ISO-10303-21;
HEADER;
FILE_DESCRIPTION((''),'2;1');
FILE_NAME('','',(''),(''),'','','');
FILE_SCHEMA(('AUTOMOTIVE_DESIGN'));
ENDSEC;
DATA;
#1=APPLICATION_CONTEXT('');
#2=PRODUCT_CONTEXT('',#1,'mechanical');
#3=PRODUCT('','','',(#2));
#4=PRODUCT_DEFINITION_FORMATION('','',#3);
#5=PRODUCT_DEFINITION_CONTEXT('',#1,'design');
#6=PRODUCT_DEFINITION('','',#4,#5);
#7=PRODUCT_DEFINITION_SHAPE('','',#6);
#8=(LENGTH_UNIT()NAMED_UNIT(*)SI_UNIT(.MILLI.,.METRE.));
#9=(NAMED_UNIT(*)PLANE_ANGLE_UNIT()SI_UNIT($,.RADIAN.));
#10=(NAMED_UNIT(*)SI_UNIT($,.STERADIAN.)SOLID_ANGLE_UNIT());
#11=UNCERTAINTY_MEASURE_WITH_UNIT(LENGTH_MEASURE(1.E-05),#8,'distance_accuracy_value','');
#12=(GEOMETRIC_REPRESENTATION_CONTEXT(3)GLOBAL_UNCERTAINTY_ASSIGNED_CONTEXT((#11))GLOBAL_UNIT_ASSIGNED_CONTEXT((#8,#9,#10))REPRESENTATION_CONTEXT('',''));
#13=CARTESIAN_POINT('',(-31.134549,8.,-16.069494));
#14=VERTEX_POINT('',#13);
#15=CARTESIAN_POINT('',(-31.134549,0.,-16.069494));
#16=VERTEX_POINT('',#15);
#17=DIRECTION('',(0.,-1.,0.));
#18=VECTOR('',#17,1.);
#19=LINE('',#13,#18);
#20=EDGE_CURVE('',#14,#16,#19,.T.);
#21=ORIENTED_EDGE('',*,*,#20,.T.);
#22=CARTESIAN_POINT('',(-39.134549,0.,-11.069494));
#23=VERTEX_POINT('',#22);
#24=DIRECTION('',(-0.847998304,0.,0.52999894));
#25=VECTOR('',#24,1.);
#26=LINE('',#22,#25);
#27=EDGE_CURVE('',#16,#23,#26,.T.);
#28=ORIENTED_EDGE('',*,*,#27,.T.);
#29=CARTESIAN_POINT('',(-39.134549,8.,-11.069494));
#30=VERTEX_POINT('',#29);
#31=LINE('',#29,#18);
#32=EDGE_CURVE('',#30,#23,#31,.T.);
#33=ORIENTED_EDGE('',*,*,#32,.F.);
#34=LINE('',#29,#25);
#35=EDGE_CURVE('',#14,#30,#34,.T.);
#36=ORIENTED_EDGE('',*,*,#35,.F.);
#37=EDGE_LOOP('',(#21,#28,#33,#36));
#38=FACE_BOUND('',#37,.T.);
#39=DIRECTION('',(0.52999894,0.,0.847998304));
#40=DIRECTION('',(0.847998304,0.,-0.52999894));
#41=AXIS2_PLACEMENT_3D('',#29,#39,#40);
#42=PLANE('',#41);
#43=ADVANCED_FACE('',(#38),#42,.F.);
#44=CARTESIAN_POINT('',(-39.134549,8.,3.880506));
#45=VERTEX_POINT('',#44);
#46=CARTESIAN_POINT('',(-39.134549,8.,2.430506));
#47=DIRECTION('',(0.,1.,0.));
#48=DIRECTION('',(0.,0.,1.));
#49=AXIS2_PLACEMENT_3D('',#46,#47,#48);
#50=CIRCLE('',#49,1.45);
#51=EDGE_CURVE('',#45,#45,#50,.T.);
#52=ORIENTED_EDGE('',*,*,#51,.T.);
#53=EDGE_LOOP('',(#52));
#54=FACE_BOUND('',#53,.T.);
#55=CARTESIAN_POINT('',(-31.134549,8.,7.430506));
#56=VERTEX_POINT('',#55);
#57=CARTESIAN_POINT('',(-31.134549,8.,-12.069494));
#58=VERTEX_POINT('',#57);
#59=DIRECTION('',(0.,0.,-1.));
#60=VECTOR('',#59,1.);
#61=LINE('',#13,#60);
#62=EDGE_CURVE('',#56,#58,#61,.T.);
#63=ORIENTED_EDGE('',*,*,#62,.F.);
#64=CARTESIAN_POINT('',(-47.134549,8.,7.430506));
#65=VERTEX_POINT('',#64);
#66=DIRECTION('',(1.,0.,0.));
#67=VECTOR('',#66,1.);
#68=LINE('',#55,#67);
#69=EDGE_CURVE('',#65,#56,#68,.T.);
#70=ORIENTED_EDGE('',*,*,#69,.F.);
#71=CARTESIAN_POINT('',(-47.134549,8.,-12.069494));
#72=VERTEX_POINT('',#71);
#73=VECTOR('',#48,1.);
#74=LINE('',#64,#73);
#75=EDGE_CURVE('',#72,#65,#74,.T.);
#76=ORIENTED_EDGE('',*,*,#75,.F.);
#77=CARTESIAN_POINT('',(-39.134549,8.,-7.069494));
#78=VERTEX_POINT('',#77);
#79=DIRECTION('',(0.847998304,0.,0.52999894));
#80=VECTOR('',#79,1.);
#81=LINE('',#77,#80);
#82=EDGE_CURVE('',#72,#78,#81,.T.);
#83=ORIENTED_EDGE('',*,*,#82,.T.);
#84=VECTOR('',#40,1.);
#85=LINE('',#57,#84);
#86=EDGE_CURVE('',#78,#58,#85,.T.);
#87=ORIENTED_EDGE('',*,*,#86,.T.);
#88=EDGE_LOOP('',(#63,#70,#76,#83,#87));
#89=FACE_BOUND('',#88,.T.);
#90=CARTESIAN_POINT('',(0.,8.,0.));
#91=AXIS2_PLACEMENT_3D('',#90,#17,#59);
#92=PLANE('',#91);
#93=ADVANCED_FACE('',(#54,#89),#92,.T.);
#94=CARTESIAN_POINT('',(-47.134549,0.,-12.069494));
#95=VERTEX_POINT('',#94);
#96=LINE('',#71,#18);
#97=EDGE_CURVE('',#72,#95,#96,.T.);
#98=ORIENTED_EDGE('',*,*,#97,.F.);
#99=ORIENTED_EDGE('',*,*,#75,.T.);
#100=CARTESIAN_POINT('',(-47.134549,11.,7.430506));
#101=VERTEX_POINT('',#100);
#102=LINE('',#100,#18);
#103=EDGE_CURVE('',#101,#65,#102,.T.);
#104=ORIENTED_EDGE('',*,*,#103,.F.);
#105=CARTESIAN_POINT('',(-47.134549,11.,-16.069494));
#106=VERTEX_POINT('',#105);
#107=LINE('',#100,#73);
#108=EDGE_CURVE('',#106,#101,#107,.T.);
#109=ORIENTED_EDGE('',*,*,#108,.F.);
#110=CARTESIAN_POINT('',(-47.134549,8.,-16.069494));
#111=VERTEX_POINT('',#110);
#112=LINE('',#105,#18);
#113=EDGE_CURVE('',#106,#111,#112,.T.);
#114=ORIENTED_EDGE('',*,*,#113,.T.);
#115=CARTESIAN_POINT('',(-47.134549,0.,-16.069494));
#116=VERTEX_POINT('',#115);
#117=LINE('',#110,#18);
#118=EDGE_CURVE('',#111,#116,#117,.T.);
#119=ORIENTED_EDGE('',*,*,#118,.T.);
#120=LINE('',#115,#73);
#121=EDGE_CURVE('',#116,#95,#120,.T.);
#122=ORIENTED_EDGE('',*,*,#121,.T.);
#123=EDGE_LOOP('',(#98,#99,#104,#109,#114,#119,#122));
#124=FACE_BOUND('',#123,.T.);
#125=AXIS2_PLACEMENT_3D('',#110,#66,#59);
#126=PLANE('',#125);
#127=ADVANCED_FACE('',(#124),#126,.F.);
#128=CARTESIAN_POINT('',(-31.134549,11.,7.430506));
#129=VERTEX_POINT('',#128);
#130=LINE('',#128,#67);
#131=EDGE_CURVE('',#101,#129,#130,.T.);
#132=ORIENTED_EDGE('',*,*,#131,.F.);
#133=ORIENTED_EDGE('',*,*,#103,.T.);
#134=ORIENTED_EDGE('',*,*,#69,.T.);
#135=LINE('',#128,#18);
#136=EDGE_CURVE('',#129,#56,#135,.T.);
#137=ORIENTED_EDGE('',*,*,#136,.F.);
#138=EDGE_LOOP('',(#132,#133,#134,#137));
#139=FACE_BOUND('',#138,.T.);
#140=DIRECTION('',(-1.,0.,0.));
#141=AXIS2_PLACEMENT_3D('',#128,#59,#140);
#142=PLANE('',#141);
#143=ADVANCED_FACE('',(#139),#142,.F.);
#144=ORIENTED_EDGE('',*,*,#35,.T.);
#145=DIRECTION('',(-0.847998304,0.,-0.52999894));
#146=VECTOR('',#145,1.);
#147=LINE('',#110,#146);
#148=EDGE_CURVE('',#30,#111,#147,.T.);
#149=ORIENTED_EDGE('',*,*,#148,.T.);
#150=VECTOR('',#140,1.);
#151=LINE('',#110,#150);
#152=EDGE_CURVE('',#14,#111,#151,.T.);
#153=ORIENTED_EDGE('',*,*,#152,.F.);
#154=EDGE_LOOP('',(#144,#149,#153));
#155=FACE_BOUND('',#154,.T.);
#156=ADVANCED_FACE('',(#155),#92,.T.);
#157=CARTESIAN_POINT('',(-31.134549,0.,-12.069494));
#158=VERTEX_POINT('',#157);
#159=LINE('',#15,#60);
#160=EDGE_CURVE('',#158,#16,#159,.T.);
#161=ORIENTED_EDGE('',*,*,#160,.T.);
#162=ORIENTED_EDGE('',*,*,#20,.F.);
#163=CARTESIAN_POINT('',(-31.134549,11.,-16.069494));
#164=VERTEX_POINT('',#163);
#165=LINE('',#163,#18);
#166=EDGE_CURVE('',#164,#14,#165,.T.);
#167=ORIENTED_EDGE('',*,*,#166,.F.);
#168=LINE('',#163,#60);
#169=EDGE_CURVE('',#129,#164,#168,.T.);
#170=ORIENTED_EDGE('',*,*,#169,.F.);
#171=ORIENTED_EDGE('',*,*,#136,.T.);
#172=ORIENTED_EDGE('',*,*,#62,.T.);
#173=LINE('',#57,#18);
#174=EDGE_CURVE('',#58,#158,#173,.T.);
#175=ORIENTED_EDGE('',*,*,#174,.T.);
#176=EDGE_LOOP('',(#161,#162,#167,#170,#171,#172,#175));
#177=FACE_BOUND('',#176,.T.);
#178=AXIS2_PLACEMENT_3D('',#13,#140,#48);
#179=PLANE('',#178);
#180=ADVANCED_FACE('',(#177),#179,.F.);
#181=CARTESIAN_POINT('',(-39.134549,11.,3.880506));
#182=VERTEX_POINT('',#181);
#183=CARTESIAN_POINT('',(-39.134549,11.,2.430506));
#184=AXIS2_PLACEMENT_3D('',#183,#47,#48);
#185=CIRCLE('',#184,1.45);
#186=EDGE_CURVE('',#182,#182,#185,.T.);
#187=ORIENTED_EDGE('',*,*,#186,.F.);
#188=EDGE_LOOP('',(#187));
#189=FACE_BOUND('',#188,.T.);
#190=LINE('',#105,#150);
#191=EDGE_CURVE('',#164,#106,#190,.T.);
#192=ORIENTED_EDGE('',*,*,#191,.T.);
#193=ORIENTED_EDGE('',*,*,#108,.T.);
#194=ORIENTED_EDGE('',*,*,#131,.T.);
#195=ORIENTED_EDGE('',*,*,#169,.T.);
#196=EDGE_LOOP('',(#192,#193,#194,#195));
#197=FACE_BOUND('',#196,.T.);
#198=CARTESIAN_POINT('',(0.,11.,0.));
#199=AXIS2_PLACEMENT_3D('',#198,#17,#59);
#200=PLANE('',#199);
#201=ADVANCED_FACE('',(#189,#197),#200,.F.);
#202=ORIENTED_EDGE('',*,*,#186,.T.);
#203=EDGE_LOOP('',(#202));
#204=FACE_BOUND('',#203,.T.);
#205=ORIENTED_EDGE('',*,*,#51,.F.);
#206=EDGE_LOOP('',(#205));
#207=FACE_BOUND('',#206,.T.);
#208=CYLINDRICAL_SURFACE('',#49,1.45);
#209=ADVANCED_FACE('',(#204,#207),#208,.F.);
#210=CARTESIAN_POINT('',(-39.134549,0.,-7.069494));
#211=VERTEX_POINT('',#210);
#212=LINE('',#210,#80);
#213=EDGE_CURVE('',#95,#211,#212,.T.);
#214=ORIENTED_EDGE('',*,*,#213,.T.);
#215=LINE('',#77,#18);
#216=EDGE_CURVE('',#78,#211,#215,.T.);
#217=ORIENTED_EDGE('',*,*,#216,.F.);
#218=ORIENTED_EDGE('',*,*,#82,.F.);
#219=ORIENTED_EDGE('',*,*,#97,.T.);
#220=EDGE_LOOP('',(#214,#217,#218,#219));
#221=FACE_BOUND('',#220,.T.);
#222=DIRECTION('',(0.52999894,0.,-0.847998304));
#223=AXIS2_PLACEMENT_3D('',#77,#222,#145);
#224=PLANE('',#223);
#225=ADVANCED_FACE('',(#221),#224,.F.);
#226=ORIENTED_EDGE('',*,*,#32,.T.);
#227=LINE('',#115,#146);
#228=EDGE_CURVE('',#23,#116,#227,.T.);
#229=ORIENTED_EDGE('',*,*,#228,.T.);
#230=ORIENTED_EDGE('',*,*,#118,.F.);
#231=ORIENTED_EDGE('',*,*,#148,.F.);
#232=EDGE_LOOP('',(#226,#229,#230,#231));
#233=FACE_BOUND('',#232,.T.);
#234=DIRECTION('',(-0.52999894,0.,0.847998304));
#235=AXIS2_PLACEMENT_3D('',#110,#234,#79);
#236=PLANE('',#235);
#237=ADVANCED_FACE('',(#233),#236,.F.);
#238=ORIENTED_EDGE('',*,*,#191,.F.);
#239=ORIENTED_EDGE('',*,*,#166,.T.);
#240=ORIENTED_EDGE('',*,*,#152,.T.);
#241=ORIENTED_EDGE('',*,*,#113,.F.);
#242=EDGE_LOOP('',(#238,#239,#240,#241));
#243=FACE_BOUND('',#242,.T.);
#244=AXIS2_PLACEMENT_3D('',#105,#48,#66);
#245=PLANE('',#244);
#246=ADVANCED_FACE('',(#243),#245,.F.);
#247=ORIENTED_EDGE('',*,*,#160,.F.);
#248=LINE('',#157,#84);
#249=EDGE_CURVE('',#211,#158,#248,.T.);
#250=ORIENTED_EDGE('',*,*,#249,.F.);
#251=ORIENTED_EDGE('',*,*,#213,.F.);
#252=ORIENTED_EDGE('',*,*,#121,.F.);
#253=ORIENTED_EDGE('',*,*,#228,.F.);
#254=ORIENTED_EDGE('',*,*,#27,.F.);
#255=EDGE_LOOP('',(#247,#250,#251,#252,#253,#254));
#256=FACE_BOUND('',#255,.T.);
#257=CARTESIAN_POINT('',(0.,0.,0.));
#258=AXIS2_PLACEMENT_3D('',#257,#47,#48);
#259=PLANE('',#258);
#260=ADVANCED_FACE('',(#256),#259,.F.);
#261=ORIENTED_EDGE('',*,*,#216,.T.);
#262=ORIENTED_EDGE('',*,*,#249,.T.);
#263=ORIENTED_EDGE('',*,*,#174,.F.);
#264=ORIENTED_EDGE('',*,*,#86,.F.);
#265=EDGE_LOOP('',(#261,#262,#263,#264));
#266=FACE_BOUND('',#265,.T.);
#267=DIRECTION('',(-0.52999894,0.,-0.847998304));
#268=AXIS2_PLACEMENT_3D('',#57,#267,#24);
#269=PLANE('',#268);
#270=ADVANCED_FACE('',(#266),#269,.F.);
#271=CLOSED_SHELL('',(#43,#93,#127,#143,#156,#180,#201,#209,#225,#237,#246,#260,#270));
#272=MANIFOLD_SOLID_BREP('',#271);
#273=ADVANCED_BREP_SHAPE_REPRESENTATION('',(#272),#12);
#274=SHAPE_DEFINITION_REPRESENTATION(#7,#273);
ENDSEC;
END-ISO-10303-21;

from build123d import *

# Parameters (mm, degrees)
BOSS_EXTRUDE1_DEPTH = 8
SKETCH2_W           = 16
SKETCH2_H           = 23.5
BOSS_EXTRUDE2_DEPTH = 3
SKETCH3_R           = 1.45
CUT_EXTRUDE1_DEPTH  = 3


with BuildPart() as part:
    # Sketch1 → Boss-Extrude1 (new body)
    with BuildSketch(Plane(origin=(0, 0, 0), x_dir=(1, 0, 0), z_dir=(0, 1, 0))):
        Polygon((-47.134549376, 16.069493776), (-47.134549376, 12.069493776), (-39.134549376, 7.069493776), (-31.134549376, 12.069493776), (-31.134549376, 16.069493776), (-39.134549376, 11.069493776), align=None)
    extrude(amount=BOSS_EXTRUDE1_DEPTH)

    # Sketch2 → Boss-Extrude2 (add)
    with BuildSketch(Plane(origin=(0, 8, 0), x_dir=(1, 0, 0), z_dir=(0, 1, 0))):
        with Locations((-39.134549376, 4.319493776)):
            Rectangle(SKETCH2_W, SKETCH2_H)
    extrude(amount=BOSS_EXTRUDE2_DEPTH)

    # Sketch3 → Cut-Extrude1 (cut)
    with BuildSketch(Plane(origin=(0, 11, 0), x_dir=(1, 0, 0), z_dir=(0, 1, 0))):
        with Locations(Location((-39.134549376, -2.430506224, 0), (0, 0, 270))):
            Circle(SKETCH3_R)
    extrude(amount=-CUT_EXTRUDE1_DEPTH, mode=Mode.SUBTRACT)


solid = part.part
